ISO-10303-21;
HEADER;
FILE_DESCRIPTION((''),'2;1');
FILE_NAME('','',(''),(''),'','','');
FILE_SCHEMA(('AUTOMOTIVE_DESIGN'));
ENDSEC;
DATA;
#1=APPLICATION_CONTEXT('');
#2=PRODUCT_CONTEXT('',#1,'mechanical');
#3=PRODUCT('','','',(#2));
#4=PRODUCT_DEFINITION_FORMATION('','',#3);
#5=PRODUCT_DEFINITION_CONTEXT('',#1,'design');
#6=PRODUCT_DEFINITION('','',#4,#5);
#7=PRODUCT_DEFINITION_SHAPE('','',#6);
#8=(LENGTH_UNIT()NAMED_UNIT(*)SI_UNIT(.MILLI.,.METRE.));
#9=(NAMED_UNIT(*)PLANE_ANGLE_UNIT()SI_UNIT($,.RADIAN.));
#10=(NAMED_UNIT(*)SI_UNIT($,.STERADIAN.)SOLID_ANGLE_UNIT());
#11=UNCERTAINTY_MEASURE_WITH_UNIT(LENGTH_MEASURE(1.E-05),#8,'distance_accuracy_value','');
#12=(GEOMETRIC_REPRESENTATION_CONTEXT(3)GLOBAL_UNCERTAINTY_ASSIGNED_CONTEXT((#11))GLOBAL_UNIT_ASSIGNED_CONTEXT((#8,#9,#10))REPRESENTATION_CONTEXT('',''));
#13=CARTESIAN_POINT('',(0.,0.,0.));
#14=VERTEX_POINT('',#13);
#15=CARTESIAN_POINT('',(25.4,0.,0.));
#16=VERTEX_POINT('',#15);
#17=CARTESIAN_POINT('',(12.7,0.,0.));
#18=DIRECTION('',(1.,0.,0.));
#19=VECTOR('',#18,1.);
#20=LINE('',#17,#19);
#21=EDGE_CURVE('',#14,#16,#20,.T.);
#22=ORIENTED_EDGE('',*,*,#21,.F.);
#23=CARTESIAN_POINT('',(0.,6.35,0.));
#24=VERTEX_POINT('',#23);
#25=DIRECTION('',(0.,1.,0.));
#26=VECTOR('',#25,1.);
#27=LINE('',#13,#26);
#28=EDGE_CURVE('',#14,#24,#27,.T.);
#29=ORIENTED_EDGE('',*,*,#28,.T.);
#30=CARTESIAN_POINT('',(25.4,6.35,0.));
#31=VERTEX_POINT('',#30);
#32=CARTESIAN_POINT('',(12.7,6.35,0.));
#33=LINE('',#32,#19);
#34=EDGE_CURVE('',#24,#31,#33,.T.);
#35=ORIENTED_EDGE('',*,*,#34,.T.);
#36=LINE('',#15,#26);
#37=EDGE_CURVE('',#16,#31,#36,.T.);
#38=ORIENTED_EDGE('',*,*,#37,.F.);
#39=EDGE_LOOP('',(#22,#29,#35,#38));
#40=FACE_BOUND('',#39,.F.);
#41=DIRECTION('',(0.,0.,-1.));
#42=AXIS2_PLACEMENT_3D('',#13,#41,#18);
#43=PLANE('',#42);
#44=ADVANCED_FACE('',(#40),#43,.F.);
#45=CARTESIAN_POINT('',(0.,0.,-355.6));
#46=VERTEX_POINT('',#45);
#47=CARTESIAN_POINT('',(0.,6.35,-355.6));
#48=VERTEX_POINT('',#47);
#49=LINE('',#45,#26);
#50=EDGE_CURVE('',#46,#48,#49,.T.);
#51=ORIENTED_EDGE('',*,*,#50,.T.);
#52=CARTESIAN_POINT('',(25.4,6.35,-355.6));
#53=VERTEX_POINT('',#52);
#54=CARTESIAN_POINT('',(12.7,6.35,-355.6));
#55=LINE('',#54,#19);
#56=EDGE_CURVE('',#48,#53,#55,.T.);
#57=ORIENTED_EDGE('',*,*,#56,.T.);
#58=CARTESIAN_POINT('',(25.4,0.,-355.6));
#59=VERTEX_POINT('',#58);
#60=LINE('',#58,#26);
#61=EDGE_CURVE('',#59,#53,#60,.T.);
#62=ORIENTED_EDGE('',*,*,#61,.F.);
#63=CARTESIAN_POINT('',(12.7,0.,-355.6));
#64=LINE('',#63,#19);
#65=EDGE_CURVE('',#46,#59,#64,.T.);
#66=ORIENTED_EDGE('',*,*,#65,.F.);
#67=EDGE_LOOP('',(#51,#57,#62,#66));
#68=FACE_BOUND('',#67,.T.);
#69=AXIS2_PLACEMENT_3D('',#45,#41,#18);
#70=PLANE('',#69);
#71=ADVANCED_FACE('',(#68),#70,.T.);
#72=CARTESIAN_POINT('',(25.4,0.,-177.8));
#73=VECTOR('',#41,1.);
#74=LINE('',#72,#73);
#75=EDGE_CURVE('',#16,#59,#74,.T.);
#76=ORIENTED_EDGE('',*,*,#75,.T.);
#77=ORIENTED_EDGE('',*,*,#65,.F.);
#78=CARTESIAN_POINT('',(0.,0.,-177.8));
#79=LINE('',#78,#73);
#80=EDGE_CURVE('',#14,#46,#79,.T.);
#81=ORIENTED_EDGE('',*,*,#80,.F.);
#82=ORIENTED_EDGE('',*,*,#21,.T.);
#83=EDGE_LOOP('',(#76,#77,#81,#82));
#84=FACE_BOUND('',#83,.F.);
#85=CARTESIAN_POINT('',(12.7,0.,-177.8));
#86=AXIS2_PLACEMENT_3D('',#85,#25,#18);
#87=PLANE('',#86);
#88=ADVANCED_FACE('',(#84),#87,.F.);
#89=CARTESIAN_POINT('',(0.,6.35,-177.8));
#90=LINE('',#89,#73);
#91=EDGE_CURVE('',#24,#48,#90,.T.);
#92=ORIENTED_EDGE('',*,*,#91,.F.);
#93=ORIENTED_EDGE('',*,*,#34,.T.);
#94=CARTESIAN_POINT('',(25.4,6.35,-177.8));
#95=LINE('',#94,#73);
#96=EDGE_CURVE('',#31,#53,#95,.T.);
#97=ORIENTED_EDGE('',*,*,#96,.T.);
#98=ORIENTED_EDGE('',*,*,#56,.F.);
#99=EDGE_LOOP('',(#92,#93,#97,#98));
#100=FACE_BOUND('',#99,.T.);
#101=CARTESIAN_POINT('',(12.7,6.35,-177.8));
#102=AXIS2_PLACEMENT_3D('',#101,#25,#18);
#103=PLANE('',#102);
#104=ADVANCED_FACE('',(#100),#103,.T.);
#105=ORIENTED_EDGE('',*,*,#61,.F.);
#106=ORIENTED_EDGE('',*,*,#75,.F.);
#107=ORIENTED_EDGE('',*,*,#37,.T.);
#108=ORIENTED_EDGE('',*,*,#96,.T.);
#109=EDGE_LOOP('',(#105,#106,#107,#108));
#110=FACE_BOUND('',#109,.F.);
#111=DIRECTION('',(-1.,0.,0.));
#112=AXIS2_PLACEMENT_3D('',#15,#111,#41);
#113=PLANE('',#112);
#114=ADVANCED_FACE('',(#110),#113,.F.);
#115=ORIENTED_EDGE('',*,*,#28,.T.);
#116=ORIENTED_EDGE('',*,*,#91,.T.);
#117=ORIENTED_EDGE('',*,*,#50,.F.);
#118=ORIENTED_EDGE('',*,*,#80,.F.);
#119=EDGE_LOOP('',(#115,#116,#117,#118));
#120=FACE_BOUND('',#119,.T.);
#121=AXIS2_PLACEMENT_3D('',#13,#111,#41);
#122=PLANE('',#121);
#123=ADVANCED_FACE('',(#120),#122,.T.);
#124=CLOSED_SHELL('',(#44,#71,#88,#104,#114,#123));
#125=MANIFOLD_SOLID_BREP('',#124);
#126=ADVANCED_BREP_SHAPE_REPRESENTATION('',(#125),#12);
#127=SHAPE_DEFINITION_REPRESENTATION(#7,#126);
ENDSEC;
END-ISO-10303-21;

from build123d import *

# Parameters (mm, degrees)
SKETCH1_W           = 25.4
SKETCH1_H           = 355.6
BOSS_EXTRUDE1_DEPTH = 6.35


with BuildPart() as part:
    # Sketch1 → Boss-Extrude1 (new body)
    with BuildSketch(Plane(origin=(0, 0, 0), x_dir=(1, 0, 0), z_dir=(0, 1, 0))):
        with Locations((12.7, 177.8)):
            Rectangle(SKETCH1_W, SKETCH1_H)
    extrude(amount=BOSS_EXTRUDE1_DEPTH)


solid = part.part
